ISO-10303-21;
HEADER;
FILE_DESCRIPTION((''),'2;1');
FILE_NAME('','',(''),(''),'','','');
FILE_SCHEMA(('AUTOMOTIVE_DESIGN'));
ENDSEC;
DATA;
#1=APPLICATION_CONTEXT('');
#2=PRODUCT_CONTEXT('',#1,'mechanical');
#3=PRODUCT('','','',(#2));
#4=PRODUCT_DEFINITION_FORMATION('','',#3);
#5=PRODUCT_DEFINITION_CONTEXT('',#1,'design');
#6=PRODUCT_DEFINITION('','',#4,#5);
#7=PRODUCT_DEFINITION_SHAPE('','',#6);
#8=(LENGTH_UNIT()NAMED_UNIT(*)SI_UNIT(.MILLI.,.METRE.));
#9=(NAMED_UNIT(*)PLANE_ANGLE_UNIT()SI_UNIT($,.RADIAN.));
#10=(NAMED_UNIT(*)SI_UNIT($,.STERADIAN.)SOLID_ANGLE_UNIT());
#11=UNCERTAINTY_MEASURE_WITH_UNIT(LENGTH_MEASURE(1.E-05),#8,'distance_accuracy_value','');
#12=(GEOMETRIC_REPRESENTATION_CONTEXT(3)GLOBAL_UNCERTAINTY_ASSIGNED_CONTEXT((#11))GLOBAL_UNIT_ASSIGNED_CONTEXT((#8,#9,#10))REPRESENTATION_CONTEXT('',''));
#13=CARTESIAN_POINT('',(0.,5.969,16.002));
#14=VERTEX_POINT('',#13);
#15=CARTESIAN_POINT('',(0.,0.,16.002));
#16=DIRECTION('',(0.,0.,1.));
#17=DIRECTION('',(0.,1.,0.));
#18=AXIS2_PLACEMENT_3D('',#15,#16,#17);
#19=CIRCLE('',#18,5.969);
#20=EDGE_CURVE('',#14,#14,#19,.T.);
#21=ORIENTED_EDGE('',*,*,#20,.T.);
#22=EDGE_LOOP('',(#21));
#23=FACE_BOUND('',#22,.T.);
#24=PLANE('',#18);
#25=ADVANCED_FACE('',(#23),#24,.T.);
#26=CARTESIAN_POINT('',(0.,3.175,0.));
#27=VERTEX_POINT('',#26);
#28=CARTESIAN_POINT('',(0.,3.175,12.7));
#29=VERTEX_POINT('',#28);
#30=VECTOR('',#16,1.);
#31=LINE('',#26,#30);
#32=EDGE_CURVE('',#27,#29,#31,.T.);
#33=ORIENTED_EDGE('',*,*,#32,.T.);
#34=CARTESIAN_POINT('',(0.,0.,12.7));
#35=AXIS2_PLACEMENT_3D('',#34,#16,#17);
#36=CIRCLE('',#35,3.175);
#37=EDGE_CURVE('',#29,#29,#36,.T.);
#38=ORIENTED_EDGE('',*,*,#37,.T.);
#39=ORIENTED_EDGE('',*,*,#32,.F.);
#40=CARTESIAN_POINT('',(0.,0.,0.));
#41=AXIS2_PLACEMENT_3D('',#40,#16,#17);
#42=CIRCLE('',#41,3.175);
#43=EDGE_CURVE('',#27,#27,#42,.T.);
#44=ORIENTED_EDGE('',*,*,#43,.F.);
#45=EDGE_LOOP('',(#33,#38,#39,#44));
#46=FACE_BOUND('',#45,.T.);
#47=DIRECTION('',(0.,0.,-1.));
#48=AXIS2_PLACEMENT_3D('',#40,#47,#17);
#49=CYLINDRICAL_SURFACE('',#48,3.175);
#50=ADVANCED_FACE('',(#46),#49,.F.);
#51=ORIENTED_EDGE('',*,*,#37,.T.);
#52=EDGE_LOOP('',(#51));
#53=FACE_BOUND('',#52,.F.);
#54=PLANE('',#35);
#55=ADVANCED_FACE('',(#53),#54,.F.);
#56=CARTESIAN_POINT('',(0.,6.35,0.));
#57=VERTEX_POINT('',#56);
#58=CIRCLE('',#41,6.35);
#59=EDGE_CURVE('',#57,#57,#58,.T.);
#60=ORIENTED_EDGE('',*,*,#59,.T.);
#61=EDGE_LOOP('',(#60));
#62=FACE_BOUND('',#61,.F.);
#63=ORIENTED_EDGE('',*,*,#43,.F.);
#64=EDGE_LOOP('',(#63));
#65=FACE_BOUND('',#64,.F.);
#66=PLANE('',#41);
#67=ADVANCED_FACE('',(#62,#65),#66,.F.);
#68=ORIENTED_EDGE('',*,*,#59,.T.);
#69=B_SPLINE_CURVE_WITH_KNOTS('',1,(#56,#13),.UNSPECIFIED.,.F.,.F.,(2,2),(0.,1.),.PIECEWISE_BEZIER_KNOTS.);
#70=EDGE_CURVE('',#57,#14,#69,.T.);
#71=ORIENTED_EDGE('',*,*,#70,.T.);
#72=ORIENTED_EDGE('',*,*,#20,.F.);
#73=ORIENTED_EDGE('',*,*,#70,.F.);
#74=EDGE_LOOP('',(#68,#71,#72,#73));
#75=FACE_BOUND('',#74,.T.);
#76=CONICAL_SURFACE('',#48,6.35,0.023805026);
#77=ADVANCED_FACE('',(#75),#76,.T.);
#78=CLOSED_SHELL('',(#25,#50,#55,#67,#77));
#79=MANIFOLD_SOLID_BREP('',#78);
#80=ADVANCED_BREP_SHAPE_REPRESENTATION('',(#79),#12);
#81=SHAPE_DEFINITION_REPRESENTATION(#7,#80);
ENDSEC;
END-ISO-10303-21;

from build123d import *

# Parameters (mm, degrees)
SKETCH_R     = 6.35
SKETCH001_R  = 5.969
SKETCH002_R  = 3.175
POCKET_DEPTH = 12.7


with BuildPart() as part:
    # Sketch → AdditiveLoft section 0
    with BuildSketch(Plane(origin=(0, 0, 0), x_dir=(0, 1, 0), z_dir=(0, 0, 1))):
        Circle(SKETCH_R)
    # Sketch001 → AdditiveLoft section 1
    with BuildSketch(Plane(origin=(0, 0, 16.002), x_dir=(0, 1, 0), z_dir=(0, 0, 1))):
        Circle(SKETCH001_R)
    loft()

    # Sketch002 → Pocket (cut)
    with BuildSketch(Plane(origin=(0, 0, 0), x_dir=(0, 1, 0), z_dir=(0, 0, 1))):
        Circle(SKETCH002_R)
    extrude(amount=POCKET_DEPTH, mode=Mode.SUBTRACT)


solid = part.part
